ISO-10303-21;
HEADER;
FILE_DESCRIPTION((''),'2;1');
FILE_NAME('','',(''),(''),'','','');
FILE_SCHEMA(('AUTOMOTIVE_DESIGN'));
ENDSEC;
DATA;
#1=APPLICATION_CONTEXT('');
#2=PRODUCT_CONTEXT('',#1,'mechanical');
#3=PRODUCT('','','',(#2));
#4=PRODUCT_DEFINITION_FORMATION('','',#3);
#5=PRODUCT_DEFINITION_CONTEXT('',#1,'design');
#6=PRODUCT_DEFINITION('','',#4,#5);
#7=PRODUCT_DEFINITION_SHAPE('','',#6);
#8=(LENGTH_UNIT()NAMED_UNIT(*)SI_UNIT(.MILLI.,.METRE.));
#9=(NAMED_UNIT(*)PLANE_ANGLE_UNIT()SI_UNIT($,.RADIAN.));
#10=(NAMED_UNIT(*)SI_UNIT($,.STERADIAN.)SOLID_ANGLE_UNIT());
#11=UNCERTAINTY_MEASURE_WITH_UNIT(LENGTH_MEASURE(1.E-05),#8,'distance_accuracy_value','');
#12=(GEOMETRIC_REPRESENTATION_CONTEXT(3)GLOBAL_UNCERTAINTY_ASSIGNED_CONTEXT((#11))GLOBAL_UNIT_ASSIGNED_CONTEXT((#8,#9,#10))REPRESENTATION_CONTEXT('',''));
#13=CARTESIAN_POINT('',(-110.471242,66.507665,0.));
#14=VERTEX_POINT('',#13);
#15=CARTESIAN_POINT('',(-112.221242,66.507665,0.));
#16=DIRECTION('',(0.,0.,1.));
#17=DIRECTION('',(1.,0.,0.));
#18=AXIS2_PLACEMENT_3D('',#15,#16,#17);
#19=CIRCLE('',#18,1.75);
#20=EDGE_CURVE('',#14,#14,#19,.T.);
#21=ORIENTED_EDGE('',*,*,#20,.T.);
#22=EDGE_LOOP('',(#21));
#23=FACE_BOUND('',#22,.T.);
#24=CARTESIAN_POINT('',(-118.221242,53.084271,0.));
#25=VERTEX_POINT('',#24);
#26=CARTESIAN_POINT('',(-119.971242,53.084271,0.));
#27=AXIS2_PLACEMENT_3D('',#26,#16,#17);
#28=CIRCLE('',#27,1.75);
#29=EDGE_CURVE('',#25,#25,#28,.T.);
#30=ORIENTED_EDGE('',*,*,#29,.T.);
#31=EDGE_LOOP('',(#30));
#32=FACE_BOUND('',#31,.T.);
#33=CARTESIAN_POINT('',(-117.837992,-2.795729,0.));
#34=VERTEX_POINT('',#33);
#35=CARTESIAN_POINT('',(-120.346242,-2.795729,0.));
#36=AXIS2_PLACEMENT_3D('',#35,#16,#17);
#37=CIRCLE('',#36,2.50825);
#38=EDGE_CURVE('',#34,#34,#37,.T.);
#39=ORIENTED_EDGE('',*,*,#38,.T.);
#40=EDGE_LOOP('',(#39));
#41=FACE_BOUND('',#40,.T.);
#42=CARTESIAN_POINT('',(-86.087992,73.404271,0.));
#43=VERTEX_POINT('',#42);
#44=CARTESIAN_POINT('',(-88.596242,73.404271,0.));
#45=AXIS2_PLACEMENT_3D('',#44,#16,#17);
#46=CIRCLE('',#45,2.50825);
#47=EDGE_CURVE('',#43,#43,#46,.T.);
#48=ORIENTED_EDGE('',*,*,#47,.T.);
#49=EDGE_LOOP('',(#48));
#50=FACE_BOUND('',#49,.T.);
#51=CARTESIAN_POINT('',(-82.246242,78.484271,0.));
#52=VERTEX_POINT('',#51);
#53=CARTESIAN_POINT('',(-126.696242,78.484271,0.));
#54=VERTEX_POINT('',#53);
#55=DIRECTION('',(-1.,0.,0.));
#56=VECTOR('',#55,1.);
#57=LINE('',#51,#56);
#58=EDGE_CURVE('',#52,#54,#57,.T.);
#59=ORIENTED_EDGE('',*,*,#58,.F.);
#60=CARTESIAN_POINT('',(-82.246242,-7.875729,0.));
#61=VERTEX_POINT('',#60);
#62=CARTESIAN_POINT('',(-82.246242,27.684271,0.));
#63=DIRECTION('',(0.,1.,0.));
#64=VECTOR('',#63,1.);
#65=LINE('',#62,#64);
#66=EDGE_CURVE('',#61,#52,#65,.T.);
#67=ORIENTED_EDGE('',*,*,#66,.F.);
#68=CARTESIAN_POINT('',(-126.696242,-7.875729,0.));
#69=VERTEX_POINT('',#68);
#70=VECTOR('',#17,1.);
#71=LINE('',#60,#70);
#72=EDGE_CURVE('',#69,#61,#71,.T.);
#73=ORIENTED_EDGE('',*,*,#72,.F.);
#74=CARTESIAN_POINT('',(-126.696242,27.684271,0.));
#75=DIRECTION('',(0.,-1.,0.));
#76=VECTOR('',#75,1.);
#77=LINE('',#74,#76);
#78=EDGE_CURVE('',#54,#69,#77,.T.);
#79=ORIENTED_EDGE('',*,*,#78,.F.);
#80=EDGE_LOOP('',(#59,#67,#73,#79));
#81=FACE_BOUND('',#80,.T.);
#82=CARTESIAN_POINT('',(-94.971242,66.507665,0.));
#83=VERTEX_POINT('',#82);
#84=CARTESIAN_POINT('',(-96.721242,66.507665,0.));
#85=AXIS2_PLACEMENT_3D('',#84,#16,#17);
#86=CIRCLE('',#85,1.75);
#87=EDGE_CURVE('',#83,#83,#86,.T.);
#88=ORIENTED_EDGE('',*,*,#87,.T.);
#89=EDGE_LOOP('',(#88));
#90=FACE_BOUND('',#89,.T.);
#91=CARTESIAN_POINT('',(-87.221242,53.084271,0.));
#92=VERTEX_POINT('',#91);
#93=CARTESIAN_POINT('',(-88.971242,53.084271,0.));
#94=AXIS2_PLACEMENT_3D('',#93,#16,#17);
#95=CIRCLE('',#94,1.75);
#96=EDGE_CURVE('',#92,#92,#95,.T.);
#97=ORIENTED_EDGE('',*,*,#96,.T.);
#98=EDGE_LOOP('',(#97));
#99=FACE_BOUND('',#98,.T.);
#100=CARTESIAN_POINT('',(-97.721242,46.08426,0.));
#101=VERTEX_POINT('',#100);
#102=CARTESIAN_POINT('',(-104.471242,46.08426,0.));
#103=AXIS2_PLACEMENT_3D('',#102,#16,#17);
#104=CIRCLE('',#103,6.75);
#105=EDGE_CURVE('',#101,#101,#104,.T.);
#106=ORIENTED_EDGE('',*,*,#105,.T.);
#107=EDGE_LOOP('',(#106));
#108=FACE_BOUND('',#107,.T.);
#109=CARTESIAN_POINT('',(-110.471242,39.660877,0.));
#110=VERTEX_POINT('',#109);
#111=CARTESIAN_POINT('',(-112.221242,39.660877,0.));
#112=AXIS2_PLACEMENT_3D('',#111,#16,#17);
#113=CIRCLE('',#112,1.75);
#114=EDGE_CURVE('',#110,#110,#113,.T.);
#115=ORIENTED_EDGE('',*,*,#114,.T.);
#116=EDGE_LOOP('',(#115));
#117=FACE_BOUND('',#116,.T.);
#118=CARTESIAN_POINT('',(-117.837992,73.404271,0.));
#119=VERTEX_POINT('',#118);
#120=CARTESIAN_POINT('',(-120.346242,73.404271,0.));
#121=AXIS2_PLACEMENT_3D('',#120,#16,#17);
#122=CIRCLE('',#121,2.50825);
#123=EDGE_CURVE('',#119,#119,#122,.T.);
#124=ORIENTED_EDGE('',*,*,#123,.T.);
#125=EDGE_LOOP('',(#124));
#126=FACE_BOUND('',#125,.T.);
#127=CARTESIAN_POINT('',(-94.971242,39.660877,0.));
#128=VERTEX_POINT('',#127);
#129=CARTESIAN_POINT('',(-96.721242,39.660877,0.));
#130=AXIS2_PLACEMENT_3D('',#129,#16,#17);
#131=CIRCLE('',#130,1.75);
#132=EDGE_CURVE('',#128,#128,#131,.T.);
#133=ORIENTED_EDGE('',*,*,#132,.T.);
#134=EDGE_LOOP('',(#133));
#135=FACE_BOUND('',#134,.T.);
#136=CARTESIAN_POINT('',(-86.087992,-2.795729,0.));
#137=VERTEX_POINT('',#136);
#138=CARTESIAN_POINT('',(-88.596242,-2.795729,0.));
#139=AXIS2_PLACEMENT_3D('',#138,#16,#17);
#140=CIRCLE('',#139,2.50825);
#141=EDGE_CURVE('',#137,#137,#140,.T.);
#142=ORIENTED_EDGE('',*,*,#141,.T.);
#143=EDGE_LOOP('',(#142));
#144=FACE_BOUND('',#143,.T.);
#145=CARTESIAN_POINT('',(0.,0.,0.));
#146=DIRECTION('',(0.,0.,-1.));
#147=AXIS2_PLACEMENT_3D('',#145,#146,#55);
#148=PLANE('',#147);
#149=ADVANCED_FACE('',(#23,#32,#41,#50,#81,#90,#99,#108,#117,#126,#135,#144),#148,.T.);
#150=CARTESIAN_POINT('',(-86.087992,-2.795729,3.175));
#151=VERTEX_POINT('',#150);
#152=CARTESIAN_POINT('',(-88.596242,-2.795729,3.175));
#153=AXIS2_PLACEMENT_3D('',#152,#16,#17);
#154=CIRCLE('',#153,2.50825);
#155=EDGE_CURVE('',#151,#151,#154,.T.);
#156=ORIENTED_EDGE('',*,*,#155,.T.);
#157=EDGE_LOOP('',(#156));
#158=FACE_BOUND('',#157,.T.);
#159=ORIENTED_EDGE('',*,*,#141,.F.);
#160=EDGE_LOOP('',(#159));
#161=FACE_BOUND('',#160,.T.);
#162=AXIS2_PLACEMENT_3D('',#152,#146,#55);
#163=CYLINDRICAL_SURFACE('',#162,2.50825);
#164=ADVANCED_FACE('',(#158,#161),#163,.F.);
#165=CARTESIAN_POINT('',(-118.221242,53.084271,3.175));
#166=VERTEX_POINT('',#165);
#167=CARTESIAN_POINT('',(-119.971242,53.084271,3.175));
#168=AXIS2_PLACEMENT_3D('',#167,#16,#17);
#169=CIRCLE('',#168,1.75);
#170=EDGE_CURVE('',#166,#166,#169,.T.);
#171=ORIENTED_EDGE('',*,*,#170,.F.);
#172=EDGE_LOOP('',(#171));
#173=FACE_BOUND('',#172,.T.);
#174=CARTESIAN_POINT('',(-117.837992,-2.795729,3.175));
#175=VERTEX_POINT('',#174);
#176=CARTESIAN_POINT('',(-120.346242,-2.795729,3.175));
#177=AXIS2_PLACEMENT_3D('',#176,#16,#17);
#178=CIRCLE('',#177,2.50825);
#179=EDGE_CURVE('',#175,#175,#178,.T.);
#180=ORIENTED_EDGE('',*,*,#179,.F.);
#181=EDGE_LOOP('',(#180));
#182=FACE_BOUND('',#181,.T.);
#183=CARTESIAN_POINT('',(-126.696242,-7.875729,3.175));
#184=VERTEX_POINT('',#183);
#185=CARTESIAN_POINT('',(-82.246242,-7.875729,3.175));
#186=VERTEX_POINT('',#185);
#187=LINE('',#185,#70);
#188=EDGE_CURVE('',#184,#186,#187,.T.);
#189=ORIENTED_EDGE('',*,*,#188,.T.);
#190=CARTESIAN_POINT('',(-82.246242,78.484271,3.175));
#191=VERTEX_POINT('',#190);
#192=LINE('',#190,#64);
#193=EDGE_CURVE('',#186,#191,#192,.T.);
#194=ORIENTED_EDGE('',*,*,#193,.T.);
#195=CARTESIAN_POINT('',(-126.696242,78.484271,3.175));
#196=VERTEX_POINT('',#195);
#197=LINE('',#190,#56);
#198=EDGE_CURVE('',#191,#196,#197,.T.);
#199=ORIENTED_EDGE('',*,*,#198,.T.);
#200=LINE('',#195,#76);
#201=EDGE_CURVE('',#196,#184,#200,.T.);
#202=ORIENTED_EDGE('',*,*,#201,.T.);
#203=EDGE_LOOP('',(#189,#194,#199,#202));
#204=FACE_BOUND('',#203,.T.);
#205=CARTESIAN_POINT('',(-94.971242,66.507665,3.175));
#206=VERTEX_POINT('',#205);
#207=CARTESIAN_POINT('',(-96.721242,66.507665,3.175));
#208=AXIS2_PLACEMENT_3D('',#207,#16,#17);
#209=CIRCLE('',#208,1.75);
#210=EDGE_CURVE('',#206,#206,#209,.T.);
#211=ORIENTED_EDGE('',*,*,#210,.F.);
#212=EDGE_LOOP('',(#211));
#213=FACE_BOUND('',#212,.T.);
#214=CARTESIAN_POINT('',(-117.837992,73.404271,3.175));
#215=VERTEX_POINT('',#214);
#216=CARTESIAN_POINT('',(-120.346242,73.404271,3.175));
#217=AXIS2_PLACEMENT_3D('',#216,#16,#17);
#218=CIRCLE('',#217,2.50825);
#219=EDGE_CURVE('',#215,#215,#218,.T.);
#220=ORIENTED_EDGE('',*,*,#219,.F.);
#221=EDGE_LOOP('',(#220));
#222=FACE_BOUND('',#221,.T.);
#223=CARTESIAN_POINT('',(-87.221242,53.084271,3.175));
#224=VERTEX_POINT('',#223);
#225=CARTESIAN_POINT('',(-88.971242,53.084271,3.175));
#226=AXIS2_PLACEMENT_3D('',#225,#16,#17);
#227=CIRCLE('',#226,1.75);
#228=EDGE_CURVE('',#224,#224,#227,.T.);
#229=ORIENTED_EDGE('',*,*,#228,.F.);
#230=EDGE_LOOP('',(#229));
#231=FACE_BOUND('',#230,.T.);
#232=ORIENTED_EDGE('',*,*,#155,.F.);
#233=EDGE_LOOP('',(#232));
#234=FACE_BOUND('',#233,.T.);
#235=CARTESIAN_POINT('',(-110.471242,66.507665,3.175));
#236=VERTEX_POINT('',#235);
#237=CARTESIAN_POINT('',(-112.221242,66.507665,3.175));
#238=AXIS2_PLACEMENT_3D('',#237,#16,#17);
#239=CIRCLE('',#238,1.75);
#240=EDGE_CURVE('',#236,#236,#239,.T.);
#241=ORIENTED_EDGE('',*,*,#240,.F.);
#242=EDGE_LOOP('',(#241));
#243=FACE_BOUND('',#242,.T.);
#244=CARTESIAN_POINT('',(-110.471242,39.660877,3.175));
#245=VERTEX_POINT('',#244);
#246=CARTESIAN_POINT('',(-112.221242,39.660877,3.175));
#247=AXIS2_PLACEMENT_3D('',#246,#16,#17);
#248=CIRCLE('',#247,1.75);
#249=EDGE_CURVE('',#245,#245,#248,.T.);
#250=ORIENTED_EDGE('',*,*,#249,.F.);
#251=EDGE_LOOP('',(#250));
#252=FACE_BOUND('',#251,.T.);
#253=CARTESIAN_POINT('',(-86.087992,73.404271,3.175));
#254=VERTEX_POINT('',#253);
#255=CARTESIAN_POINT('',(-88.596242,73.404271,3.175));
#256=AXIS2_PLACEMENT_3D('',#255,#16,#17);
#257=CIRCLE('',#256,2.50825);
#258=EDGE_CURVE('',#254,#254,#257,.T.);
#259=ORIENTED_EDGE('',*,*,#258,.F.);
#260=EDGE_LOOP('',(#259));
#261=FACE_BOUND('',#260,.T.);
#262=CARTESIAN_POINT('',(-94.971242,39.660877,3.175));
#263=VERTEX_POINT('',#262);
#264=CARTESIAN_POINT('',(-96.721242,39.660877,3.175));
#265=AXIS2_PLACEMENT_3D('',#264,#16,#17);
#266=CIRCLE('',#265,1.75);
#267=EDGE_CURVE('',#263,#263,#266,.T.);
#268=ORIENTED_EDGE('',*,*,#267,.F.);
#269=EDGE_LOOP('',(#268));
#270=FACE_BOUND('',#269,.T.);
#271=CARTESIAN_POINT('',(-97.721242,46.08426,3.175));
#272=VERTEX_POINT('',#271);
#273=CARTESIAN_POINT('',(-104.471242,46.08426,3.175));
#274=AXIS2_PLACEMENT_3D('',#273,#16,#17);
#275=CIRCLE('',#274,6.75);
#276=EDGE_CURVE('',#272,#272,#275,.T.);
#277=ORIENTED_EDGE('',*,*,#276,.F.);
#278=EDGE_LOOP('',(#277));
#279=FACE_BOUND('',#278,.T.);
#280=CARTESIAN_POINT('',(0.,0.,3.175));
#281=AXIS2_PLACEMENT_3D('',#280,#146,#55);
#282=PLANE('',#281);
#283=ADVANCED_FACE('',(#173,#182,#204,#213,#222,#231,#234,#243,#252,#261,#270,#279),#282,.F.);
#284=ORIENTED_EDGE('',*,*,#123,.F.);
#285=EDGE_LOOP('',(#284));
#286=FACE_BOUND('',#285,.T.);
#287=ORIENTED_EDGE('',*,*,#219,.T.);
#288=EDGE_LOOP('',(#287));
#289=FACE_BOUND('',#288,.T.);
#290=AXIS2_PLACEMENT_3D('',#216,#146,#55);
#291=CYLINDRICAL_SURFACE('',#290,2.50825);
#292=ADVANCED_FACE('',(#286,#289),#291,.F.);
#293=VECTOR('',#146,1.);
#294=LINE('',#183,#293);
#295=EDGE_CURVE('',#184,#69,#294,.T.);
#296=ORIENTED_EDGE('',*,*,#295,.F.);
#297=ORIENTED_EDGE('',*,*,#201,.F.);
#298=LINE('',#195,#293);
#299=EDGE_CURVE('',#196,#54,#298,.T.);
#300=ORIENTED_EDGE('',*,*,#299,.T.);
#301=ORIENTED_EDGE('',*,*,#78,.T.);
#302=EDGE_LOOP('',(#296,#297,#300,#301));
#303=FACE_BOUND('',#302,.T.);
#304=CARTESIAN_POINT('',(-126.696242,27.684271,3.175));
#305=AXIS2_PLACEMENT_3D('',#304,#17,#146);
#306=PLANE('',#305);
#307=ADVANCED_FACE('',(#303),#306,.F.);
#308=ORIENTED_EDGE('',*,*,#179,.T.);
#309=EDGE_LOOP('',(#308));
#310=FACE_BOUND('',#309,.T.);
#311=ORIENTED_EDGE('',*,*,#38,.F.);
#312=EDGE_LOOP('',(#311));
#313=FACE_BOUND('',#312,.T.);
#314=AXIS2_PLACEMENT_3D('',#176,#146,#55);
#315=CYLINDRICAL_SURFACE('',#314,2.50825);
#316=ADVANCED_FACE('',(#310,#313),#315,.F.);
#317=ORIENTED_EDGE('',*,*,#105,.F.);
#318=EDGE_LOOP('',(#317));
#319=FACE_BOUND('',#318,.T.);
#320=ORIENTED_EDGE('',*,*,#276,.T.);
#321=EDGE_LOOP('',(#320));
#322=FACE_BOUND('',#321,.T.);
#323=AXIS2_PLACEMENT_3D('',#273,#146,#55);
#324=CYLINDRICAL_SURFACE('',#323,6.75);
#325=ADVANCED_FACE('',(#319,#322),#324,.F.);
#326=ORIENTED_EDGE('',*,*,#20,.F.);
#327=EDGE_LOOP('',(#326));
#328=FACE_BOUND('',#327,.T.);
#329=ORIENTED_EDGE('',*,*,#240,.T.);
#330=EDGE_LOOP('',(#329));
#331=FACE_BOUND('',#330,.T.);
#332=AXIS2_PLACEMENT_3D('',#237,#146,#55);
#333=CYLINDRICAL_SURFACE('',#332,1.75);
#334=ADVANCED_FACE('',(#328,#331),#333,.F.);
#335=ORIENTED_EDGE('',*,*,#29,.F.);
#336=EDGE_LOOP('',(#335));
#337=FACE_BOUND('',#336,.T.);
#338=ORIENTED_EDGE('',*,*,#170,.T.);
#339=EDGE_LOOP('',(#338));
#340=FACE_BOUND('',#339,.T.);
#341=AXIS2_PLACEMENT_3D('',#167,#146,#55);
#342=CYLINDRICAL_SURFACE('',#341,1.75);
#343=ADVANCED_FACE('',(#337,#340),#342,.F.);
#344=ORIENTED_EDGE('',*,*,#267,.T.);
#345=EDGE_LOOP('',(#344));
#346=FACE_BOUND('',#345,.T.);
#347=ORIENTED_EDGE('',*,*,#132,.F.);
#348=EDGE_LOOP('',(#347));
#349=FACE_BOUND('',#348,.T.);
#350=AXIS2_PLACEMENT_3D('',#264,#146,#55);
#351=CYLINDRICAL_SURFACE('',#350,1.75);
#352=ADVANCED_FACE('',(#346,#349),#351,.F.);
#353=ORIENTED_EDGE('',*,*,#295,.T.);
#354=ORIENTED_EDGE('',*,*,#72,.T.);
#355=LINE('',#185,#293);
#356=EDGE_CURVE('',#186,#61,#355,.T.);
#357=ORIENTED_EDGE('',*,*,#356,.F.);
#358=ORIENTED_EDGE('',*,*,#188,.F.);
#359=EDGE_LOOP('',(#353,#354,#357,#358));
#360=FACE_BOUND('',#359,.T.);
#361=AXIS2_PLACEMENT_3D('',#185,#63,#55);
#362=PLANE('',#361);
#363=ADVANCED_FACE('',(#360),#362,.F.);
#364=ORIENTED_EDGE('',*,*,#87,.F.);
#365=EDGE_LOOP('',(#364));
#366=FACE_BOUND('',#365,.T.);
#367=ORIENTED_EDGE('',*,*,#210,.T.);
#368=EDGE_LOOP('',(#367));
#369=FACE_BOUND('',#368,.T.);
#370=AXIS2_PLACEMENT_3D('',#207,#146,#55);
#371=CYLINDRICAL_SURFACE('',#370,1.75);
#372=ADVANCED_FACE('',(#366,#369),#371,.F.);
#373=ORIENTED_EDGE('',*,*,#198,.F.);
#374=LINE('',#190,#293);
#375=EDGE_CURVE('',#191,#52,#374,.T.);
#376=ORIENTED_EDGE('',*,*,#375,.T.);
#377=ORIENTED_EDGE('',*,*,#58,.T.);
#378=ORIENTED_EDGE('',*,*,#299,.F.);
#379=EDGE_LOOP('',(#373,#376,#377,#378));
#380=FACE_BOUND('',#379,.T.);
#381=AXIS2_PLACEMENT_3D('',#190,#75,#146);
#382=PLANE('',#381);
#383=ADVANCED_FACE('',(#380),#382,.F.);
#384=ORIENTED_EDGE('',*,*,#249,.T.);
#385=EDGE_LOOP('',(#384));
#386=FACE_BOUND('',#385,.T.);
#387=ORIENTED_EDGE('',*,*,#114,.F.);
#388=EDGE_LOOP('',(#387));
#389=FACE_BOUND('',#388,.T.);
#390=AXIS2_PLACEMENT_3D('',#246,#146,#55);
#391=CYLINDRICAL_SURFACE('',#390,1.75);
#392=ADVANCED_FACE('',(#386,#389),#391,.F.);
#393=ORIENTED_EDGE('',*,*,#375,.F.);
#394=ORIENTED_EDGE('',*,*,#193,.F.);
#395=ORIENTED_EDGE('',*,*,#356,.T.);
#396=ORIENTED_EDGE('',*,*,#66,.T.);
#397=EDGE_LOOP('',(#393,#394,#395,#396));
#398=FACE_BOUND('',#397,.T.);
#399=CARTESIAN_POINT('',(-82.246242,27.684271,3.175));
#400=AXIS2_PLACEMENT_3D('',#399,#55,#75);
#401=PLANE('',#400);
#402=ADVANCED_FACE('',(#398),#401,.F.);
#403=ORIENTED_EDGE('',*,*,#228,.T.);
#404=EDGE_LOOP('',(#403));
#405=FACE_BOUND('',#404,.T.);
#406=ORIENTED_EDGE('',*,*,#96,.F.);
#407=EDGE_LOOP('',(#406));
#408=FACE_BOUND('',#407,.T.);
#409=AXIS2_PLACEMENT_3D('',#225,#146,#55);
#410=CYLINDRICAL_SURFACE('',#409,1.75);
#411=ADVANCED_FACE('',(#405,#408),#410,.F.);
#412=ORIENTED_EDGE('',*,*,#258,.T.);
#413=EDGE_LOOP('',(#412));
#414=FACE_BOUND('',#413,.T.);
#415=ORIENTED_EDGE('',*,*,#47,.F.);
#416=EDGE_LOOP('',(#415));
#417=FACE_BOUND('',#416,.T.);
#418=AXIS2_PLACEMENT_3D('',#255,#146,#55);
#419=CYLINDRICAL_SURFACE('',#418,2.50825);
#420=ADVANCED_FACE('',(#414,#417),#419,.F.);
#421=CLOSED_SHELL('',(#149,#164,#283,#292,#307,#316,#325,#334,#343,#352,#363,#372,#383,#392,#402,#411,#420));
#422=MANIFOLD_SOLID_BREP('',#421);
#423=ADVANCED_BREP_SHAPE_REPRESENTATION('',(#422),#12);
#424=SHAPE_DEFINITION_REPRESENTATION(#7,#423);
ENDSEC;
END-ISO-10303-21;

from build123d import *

# Parameters (mm, degrees)
SKETCH_1_R      = 1.75
SKETCH_1_R_2    = 6.75
SKETCH_1_R_3    = 2.50825
EXTRUDE_1_DEPTH = 3.175


with BuildPart() as part:
    # Эскиз1 → Бобышка-Вытянуть1 (new body)
    with BuildSketch(Plane.XY):
        Polygon((-82.246241796, 78.484271146), (-126.696241796, 78.484271146), (-126.696241796, 27.684271146), (-126.696241796, -7.875728854), (-82.246241796, -7.875728854), (-82.246241796, 27.684271146), align=None)
        with Locations((-112.221241796, 66.507664905)):
            Circle(SKETCH_1_R, mode=Mode.SUBTRACT)
        with Locations((-119.971241796, 53.084271146)):
            Circle(SKETCH_1_R, mode=Mode.SUBTRACT)
        with Locations((-112.221241796, 39.660877387)):
            Circle(SKETCH_1_R, mode=Mode.SUBTRACT)
        with Locations((-96.721241796, 39.660877387)):
            Circle(SKETCH_1_R, mode=Mode.SUBTRACT)
        with Locations((-88.971241796, 53.084271146)):
            Circle(SKETCH_1_R, mode=Mode.SUBTRACT)
        with Locations((-96.721241796, 66.507664905)):
            Circle(SKETCH_1_R, mode=Mode.SUBTRACT)
        with Locations((-104.471241796, 46.084259746)):
            Circle(SKETCH_1_R_2, mode=Mode.SUBTRACT)
        with Locations((-88.596241796, 73.404271146)):
            Circle(SKETCH_1_R_3, mode=Mode.SUBTRACT)
        with Locations((-120.346241796, 73.404271146)):
            Circle(SKETCH_1_R_3, mode=Mode.SUBTRACT)
        with Locations((-88.596241796, -2.795728854)):
            Circle(SKETCH_1_R_3, mode=Mode.SUBTRACT)
        with Locations((-120.346241796, -2.795728854)):
            Circle(SKETCH_1_R_3, mode=Mode.SUBTRACT)
    extrude(amount=EXTRUDE_1_DEPTH)


solid = part.part
